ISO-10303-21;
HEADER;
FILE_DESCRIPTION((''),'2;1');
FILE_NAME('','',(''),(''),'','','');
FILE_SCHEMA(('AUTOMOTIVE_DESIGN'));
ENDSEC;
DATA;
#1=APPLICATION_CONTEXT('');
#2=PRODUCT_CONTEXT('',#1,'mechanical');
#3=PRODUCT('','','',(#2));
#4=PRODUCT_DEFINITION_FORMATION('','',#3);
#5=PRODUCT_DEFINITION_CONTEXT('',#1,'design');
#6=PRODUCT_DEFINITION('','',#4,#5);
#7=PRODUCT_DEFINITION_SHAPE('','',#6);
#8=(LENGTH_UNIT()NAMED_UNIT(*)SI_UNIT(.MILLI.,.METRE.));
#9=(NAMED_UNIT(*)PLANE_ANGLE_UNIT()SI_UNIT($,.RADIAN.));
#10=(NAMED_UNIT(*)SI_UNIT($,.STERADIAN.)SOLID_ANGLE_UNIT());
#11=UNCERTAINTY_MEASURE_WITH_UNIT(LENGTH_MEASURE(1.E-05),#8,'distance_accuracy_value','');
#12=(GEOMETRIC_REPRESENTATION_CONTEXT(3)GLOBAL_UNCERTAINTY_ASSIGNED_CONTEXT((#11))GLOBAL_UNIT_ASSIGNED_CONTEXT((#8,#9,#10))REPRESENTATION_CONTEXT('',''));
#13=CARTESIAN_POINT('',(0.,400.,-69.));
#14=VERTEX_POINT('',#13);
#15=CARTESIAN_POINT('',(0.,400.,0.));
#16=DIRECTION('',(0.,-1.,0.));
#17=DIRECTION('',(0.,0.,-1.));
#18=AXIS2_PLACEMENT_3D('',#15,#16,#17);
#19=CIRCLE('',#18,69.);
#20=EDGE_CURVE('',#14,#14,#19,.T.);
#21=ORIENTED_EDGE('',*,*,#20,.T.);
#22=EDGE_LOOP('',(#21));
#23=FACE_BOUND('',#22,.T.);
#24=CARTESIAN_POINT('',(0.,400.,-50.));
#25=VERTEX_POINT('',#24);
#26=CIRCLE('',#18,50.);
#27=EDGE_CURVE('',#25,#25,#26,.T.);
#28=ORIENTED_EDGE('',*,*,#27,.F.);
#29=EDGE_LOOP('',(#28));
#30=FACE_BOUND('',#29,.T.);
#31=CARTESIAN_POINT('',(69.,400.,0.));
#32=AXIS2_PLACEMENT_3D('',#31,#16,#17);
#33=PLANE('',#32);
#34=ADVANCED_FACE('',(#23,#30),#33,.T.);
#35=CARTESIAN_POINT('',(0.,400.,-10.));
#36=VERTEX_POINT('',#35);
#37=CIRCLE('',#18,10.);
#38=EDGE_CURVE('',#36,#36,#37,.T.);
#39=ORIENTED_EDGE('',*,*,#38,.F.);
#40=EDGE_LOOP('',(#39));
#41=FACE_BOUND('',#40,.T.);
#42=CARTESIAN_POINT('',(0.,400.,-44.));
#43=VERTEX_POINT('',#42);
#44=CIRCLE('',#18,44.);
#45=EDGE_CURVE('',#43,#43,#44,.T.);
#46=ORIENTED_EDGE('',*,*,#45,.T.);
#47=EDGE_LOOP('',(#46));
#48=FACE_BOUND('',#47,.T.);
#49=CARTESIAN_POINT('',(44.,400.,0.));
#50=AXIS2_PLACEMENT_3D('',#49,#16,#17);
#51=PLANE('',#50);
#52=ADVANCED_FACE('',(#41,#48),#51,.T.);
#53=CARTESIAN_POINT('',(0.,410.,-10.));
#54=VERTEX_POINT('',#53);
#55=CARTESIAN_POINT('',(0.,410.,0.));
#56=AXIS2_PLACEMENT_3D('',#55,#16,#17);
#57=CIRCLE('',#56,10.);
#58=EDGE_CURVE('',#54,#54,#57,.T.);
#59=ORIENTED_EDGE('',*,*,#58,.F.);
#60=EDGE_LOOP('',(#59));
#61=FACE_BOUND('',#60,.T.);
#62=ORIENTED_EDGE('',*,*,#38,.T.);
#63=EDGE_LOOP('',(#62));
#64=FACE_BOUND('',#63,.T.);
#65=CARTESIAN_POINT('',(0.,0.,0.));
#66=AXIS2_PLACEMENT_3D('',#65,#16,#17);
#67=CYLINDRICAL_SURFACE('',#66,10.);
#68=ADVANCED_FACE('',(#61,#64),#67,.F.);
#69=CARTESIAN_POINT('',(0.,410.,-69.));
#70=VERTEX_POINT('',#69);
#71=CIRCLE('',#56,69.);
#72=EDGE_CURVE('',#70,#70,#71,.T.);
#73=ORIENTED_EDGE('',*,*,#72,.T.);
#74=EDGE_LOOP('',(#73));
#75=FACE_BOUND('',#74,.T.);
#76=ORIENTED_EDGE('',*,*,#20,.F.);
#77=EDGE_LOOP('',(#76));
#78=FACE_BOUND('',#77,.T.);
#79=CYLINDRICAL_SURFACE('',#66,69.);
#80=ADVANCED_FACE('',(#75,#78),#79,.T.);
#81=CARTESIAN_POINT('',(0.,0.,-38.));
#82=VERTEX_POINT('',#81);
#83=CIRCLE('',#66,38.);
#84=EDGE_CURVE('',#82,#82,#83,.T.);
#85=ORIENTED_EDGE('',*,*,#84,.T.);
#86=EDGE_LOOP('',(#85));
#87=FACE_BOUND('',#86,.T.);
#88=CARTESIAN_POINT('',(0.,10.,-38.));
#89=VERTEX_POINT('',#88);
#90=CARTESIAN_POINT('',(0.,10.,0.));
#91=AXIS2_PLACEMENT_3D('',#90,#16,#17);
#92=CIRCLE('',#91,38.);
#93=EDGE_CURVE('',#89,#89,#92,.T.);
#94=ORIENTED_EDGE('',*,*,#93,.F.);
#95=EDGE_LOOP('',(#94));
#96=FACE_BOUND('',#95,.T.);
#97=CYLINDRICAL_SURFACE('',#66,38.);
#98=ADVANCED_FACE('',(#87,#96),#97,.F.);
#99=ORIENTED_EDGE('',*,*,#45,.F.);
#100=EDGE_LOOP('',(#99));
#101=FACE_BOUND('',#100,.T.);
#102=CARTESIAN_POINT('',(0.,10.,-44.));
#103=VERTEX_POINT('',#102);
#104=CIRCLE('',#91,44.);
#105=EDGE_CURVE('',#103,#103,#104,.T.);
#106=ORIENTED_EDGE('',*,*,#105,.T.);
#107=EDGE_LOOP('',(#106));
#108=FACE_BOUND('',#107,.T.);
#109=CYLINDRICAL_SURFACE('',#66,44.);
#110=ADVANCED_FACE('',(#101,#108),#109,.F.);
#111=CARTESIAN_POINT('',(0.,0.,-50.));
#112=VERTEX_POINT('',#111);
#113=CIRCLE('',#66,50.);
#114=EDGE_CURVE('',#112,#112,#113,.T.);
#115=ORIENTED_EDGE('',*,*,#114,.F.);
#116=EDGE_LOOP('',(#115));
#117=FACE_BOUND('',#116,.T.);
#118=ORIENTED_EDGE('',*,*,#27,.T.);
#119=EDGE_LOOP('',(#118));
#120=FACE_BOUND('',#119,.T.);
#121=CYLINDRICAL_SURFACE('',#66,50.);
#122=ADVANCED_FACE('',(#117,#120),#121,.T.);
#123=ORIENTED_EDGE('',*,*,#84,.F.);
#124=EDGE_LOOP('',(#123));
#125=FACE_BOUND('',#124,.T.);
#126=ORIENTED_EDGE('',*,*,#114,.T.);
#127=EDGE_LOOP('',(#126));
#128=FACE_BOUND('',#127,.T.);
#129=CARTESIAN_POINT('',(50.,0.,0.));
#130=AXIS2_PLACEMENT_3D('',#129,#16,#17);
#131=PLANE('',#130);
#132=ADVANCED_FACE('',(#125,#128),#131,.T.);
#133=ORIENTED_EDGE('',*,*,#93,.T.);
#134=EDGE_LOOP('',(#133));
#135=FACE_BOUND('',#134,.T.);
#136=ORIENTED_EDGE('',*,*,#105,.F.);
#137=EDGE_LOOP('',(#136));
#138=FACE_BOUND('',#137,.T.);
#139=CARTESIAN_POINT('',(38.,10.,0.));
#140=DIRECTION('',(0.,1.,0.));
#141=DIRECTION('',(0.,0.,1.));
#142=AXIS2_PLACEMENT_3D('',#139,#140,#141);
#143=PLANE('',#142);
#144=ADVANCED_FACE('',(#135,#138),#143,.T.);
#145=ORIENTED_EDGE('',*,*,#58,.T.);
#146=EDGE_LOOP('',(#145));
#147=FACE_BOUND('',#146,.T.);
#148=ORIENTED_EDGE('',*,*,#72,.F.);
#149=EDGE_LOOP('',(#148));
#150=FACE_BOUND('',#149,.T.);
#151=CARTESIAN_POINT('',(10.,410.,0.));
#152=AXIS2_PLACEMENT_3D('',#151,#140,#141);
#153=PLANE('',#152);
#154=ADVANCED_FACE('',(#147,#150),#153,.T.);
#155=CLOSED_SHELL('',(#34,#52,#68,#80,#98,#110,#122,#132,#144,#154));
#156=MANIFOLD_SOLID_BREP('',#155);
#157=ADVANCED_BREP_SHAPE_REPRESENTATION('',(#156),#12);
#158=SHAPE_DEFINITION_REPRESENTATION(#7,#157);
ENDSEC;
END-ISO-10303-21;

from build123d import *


with BuildPart() as part:
    # Esboço1 → Revolução1 (revolve)
    with BuildSketch(Plane.XY):
        Polygon((10, 410), (69, 410), (69, 400), (50, 400), (50, 0), (38, 0), (38, 10), (44, 10), (44, 400), (10, 400), align=None)
    revolve(axis=Axis((0, 0, 0), (0, 1, 0)))


solid = part.part
